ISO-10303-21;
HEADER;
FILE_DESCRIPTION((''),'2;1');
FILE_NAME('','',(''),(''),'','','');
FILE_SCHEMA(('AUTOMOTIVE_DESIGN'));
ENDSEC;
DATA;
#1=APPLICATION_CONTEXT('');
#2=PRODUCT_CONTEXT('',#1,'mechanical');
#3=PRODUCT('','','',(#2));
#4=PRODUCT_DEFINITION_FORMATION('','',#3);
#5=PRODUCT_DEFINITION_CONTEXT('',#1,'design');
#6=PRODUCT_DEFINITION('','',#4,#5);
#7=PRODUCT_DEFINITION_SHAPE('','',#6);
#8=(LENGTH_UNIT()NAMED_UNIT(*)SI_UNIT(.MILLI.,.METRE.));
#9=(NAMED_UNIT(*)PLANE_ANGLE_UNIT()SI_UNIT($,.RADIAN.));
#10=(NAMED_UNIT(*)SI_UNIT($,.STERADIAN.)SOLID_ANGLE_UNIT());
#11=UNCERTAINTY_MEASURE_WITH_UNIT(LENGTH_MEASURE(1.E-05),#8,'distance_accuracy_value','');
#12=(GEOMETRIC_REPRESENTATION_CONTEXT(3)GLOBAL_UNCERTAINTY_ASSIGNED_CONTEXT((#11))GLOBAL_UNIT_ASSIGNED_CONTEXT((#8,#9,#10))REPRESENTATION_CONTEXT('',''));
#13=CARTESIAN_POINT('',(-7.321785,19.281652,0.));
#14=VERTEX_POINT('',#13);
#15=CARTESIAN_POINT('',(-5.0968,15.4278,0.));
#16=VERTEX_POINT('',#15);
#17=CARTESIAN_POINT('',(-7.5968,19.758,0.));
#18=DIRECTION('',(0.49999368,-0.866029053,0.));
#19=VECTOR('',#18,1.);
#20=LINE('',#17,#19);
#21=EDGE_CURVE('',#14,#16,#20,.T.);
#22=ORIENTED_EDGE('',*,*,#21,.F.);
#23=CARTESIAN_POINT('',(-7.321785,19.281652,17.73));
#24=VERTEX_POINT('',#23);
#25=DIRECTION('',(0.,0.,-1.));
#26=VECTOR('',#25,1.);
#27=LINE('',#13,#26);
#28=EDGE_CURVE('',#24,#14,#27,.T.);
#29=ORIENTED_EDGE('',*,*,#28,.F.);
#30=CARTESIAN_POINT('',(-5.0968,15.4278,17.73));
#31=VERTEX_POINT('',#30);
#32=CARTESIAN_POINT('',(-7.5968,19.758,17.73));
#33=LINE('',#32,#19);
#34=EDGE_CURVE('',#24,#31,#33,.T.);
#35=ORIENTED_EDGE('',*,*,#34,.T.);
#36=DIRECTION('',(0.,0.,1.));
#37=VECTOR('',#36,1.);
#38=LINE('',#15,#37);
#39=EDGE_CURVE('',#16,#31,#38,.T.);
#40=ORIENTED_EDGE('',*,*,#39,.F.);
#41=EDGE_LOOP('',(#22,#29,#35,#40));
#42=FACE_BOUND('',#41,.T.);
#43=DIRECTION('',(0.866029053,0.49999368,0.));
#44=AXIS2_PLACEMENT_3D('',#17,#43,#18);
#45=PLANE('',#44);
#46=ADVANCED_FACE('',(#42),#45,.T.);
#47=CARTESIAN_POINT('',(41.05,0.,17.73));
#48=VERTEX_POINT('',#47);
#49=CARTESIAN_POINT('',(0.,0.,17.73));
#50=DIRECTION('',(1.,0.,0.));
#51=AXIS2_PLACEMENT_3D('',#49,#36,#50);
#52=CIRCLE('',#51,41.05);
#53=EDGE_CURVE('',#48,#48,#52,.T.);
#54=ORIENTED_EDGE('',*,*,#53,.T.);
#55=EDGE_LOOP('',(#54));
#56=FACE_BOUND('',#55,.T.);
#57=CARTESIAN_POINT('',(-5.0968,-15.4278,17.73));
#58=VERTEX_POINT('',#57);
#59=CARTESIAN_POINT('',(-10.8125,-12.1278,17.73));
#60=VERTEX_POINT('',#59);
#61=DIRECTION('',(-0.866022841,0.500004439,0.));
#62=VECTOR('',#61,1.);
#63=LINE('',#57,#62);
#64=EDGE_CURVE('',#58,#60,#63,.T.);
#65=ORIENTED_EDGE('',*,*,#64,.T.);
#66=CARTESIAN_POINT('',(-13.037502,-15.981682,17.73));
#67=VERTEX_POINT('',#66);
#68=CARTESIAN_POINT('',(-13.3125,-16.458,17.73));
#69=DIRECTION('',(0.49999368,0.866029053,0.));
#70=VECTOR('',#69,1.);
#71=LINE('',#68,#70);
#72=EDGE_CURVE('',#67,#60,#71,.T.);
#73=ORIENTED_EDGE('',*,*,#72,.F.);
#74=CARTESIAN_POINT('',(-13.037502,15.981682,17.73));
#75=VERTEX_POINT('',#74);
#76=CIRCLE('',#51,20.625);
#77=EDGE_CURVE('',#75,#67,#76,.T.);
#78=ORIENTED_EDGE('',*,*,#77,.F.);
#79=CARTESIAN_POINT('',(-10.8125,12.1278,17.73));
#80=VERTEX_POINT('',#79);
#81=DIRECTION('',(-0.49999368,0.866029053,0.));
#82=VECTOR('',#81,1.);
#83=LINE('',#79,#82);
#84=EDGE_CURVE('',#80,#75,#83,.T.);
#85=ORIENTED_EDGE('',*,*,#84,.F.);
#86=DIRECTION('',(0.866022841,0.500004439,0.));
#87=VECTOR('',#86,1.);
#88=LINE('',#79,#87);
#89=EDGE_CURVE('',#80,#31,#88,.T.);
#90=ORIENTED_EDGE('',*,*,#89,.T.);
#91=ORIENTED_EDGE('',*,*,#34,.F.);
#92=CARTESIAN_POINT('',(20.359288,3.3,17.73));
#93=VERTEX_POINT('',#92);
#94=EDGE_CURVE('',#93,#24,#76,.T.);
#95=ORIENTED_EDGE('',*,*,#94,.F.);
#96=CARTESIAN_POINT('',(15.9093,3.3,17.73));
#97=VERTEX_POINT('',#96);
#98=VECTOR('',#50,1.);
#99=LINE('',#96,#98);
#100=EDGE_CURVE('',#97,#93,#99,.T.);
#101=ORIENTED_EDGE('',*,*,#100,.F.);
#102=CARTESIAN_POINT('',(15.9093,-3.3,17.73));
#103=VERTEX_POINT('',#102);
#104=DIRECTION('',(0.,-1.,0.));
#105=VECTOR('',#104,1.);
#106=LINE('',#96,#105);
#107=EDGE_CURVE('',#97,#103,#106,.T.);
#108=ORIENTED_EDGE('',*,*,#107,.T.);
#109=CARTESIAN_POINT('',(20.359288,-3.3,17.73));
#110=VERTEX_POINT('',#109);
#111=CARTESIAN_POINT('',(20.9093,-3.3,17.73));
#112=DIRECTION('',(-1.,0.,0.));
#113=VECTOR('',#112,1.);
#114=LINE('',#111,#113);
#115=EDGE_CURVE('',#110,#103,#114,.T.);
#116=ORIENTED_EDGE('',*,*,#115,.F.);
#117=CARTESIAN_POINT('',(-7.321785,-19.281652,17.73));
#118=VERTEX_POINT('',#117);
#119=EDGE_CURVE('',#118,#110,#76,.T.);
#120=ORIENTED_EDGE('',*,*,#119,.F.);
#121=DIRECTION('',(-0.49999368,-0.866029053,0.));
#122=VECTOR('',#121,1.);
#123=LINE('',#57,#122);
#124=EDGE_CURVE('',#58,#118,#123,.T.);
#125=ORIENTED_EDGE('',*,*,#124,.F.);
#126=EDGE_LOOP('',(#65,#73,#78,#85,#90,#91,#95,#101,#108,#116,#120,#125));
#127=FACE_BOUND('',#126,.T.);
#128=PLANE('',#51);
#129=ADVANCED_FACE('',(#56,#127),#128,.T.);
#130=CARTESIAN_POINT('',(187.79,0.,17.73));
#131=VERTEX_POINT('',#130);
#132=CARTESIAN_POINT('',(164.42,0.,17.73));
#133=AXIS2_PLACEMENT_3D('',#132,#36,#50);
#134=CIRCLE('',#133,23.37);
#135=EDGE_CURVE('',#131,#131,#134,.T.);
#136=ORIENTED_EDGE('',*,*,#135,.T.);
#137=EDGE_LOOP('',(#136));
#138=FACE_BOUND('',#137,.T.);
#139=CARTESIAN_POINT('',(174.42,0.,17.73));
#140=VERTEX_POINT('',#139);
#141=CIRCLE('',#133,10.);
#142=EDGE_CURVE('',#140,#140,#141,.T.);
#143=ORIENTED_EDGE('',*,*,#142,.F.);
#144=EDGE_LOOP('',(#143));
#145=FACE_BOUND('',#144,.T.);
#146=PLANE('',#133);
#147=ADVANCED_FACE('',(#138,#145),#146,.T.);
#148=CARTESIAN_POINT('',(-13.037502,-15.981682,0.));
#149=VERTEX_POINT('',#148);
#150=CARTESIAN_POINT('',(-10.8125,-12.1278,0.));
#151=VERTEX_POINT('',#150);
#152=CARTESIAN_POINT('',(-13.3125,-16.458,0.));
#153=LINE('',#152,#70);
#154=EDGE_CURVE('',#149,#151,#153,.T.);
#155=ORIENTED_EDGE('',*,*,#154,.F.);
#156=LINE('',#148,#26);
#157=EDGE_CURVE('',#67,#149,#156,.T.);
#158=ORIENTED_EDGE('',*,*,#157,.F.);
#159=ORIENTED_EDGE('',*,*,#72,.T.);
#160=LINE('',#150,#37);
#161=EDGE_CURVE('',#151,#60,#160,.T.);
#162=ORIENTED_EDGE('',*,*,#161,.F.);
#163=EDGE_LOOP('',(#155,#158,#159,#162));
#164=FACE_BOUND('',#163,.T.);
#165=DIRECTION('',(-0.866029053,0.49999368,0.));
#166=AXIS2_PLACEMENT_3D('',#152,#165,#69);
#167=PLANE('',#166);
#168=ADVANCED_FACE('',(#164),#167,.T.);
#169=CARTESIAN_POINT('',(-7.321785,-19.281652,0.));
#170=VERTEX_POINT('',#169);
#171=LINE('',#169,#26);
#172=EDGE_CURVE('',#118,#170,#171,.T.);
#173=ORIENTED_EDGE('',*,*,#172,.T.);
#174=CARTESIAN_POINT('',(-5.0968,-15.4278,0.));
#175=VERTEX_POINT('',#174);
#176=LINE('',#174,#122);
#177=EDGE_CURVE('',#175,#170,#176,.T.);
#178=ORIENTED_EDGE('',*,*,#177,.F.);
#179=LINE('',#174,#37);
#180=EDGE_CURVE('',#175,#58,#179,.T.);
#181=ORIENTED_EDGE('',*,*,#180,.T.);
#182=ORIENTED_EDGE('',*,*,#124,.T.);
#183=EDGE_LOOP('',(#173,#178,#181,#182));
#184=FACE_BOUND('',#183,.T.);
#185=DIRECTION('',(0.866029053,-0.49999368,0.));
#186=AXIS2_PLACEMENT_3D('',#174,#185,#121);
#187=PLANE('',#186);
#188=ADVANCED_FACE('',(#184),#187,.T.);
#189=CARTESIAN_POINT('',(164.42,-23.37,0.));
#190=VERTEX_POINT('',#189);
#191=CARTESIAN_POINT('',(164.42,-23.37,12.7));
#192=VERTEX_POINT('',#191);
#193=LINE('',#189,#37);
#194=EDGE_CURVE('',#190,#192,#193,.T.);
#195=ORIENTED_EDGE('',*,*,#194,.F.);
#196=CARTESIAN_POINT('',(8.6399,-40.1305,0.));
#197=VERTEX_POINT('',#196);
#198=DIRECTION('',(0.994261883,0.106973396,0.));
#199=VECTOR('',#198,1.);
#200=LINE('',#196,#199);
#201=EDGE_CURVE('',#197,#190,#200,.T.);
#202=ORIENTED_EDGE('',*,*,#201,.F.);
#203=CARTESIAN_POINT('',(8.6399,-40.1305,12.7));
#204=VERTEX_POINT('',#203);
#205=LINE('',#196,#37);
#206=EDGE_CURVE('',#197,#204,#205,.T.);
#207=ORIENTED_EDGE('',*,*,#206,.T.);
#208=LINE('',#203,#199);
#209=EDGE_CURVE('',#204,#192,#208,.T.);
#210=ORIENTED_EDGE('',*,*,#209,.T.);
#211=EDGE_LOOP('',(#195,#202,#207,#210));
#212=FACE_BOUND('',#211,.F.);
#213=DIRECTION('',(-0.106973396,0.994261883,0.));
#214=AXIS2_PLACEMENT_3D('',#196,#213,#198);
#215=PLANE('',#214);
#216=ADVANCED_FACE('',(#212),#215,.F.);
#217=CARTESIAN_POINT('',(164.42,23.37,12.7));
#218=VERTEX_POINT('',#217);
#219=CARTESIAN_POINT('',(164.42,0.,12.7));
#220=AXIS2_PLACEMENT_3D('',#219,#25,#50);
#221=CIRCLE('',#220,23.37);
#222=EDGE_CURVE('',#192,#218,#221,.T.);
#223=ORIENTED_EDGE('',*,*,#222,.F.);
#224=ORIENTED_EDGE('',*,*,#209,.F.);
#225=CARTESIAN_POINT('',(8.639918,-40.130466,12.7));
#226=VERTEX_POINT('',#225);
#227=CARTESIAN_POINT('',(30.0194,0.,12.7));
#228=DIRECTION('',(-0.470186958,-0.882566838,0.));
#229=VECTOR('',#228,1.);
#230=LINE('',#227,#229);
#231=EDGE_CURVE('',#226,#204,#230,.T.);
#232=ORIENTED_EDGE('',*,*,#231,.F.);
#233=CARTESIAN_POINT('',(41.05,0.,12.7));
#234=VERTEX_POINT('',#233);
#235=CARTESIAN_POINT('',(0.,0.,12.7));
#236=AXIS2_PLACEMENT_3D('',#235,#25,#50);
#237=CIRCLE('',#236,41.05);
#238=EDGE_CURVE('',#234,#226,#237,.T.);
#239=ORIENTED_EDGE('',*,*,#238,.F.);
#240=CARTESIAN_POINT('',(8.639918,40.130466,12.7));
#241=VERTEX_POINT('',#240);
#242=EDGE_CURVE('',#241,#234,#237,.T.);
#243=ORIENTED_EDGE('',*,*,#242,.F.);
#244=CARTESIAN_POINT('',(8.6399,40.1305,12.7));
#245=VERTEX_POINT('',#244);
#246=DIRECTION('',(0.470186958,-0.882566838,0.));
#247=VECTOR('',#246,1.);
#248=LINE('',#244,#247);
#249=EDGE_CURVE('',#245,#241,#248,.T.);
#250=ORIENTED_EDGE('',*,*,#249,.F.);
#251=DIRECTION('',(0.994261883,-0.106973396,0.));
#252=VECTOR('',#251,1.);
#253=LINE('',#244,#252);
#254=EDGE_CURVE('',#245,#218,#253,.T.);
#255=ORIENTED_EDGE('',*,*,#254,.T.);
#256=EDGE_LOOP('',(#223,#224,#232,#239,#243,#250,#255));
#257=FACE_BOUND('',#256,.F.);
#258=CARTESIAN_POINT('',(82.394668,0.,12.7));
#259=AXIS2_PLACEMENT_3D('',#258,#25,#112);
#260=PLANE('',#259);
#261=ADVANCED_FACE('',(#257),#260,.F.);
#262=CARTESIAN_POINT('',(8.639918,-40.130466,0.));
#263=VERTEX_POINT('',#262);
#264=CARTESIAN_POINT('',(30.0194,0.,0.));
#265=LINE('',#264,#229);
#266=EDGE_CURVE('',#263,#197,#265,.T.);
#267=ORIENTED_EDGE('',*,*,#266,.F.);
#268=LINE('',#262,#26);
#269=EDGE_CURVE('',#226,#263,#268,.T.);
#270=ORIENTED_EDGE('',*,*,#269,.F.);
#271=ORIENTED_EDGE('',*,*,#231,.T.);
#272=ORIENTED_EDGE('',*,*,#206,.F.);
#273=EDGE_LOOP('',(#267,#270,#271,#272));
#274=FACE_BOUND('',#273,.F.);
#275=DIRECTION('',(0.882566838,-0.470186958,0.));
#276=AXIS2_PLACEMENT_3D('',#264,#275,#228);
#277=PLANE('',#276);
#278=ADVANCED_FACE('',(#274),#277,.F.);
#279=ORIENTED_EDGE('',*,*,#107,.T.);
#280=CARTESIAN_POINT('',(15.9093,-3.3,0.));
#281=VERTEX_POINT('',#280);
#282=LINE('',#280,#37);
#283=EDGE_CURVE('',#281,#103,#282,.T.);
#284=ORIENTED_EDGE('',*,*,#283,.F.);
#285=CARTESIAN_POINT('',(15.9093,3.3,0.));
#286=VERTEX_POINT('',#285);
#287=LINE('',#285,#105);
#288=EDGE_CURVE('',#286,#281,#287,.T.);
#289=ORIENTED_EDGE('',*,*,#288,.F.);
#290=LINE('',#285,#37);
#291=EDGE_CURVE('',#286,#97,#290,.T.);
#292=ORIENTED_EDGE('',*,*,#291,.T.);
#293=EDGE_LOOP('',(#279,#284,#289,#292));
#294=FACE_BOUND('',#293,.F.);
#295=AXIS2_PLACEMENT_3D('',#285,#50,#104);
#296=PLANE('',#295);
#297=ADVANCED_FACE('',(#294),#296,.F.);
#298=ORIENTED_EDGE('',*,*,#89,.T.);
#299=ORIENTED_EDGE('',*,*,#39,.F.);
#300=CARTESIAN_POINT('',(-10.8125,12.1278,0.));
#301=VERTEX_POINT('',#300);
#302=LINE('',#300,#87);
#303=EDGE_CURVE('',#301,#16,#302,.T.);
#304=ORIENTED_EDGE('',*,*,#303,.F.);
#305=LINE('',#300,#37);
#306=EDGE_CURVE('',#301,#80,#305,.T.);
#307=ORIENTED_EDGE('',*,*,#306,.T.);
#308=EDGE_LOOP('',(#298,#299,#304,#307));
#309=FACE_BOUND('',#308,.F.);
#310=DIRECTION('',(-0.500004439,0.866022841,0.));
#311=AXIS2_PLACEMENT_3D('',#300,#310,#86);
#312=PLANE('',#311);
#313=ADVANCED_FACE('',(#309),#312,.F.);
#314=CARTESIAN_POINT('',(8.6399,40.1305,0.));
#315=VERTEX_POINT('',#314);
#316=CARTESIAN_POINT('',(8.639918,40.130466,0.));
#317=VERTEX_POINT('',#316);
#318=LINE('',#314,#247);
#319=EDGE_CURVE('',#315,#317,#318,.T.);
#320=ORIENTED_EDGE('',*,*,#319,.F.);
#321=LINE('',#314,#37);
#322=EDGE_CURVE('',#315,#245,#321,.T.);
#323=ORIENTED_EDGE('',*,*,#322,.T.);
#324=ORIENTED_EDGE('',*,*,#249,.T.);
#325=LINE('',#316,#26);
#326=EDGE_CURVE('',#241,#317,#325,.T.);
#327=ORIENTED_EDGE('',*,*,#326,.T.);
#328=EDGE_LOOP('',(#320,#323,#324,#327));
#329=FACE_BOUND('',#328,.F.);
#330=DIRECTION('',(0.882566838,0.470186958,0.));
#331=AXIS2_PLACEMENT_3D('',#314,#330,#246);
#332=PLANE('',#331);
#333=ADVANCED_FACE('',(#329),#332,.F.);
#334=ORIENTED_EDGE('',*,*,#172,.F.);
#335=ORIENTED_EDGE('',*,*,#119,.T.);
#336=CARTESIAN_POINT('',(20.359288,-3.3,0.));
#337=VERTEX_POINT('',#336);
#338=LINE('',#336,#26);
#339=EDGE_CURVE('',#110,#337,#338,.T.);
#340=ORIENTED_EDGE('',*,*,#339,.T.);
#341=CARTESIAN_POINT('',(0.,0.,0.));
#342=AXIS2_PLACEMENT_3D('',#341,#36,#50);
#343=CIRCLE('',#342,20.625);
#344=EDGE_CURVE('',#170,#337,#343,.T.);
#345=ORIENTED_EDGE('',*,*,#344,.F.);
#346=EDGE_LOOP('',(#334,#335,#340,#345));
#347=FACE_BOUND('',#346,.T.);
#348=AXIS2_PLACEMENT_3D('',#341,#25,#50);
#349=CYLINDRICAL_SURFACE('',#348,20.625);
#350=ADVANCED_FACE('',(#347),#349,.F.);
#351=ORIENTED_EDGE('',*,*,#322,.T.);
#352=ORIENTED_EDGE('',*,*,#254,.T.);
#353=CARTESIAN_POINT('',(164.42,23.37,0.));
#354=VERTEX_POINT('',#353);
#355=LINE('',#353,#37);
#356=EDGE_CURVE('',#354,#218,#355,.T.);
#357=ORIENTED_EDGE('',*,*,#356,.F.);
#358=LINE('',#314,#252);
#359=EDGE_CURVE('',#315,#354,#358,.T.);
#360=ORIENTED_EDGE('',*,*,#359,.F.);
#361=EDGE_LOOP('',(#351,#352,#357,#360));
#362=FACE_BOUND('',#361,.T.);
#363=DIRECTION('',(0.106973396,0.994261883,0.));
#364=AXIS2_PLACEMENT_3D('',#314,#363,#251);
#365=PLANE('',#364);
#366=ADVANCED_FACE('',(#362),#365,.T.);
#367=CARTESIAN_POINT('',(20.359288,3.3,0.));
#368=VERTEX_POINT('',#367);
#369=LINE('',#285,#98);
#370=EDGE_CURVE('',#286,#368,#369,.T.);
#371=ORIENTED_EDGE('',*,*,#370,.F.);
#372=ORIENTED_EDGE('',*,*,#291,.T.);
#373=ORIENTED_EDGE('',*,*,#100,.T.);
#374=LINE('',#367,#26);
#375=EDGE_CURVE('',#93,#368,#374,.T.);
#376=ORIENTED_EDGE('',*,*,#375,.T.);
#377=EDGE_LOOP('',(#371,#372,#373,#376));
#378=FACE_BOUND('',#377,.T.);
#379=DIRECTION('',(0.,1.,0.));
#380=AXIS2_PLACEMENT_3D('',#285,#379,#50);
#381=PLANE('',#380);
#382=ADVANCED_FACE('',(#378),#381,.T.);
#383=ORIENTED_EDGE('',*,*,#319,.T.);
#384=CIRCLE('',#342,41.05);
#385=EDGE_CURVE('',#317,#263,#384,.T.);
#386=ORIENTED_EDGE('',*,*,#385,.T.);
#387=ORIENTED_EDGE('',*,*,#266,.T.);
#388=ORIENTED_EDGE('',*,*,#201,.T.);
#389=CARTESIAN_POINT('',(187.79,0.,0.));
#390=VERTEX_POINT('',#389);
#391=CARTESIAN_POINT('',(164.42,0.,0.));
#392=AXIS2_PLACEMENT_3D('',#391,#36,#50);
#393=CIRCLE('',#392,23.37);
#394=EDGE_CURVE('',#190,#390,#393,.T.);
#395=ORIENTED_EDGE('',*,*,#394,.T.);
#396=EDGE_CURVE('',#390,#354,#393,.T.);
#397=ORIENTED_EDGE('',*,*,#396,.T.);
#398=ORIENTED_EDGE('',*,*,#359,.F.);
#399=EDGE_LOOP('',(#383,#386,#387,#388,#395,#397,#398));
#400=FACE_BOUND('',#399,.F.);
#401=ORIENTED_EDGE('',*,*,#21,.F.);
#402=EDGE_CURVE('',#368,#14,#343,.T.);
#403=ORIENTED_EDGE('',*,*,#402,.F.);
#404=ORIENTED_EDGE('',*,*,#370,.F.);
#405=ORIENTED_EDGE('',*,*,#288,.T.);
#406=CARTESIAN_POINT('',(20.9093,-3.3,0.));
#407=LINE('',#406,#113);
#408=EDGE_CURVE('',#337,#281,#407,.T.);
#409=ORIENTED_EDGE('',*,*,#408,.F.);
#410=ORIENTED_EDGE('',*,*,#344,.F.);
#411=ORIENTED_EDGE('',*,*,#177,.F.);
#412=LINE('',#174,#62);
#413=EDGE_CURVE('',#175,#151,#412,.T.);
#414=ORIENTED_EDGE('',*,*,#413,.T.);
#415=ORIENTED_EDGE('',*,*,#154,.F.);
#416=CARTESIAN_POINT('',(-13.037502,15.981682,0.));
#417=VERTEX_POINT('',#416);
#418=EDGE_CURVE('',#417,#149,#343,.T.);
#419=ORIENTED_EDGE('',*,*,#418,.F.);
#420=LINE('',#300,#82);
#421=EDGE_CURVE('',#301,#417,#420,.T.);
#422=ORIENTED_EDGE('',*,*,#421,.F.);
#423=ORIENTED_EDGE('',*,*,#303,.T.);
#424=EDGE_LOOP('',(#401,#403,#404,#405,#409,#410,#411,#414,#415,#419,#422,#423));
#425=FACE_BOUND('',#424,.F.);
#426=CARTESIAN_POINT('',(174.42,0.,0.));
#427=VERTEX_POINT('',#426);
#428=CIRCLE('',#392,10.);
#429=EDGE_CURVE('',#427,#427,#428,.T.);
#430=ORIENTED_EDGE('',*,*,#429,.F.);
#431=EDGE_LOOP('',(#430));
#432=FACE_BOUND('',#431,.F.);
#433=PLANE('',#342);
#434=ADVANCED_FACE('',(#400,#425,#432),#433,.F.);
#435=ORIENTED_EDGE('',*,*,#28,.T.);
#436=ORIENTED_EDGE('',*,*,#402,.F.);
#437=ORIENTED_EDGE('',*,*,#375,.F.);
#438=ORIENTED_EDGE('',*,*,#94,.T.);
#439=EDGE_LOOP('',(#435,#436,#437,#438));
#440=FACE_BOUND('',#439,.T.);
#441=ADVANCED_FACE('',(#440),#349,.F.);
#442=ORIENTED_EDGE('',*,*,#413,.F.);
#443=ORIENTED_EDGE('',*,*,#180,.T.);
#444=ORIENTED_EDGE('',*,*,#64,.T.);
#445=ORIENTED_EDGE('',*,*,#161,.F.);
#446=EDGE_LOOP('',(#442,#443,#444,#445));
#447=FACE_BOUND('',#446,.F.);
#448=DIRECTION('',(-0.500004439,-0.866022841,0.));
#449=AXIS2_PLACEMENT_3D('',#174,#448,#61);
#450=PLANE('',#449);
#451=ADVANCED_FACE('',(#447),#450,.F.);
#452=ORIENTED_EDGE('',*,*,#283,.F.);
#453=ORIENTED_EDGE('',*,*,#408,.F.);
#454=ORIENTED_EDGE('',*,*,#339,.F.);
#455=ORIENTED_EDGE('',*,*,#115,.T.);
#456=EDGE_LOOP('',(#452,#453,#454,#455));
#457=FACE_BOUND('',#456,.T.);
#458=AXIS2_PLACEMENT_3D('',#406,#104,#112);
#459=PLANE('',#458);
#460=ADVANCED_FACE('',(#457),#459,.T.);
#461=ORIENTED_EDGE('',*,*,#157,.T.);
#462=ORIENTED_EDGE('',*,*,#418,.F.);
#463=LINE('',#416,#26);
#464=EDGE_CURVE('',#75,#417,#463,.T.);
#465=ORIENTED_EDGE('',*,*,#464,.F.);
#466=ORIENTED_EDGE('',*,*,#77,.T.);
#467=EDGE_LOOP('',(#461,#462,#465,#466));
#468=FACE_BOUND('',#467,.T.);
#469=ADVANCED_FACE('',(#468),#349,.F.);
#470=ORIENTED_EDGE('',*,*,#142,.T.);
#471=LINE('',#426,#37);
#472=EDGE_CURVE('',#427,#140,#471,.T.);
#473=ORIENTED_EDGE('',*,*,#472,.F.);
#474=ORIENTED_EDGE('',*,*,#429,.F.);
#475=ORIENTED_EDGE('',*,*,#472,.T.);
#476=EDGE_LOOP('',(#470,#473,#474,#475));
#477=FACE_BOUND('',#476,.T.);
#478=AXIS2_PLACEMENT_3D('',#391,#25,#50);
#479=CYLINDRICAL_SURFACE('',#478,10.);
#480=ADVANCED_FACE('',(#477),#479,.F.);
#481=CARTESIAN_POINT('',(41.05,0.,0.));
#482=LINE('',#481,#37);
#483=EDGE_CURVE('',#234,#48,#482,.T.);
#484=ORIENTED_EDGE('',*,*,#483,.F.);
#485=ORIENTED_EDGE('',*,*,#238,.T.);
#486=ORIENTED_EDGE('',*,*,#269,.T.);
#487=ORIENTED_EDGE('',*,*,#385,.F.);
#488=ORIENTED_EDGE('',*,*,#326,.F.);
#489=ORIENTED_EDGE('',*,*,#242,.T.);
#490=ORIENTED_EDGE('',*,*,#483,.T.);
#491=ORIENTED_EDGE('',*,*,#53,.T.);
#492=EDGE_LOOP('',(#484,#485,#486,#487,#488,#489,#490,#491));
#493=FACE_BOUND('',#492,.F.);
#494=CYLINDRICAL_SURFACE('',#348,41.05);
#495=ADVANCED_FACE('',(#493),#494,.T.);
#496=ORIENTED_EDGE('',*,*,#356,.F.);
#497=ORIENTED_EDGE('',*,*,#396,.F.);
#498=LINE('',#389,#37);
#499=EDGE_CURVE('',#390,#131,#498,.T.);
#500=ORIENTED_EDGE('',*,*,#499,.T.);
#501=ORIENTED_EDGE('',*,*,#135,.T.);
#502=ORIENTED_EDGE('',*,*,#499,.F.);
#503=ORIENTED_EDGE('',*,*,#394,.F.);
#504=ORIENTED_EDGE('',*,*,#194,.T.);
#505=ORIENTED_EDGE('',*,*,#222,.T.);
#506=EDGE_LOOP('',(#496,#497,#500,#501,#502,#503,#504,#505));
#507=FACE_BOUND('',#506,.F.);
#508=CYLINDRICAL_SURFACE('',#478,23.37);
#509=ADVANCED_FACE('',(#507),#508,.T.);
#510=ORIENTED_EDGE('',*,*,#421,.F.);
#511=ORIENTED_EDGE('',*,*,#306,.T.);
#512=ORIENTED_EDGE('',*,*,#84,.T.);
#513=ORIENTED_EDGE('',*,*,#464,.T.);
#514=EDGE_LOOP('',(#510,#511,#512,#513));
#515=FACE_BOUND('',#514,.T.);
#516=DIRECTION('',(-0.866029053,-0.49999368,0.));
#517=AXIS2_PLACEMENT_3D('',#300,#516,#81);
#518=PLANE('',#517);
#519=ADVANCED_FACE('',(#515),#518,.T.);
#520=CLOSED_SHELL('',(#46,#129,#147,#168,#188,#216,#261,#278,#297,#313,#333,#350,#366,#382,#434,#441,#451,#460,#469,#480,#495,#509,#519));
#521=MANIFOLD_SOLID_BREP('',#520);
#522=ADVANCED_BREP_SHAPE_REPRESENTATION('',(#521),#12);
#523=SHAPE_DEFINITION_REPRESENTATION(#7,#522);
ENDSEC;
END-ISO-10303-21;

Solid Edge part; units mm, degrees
sketch "Sketch1" plane through (0, 0, 0) normal (0, 0, 1) x (1, 0, 0)
  circle A0 centre (0, 0) radius 41.05
  circle A1 centre (0, 0) radius 20.625
  circle A2 centre (164.42, 0) radius 23.37
  circle A3 centre (164.42, 0) radius 10
extrude "Protrusion1" add sketch "Sketch1" along normal blind 17.73
sketch "Sketch2" plane through (0, 0, 0) normal (0, 0, 1) x (1, 0, 0)
  line L0 (8.6399, 40.1305) -> (164.42, 23.37)
  line L1 (144.2869, 0) -> (164.42, 23.37)
  line L2 (164.42, -23.37) -> (144.2869, 0)
  line L3 (8.6399, -40.1305) -> (164.42, -23.37)
  line L4 (30.0194, 0) -> (8.6399, -40.1305)
  line L5 (8.6399, 40.1305) -> (30.0194, 0)
extrude "ExtrudedProtrusion_2" add sketch "Sketch2" along normal blind 12.7
sketch "Sketch3" plane through (0, 0, 0) normal (0, 0, 1) x (1, 0, 0)
  line L0 (-10.8125, 12.1278) -> (-5.0968, 15.4278)
  line L1 (-7.5968, 19.758) -> (-5.0968, 15.4278)
  line L2 (-13.3125, 16.458) -> (-7.5968, 19.758)
  line L3 (-10.8125, 12.1278) -> (-13.3125, 16.458)
  line L4 (-5.0968, -15.4278) -> (-7.5968, -19.758)
  line L5 (-7.5968, -19.758) -> (-13.3125, -16.458)
  line L6 (-13.3125, -16.458) -> (-10.8125, -12.1278)
  line L7 (-5.0968, -15.4278) -> (-10.8125, -12.1278)
  line L8 (15.9093, 3.3) -> (15.9093, -3.3)
  line L9 (20.9093, -3.3) -> (15.9093, -3.3)
  line L10 (20.9093, 3.3) -> (20.9093, -3.3)
  line L11 (15.9093, 3.3) -> (20.9093, 3.3)
extrude "Protrusion2" add sketch "Sketch3" along normal up to vertex (17.73 mm away)
